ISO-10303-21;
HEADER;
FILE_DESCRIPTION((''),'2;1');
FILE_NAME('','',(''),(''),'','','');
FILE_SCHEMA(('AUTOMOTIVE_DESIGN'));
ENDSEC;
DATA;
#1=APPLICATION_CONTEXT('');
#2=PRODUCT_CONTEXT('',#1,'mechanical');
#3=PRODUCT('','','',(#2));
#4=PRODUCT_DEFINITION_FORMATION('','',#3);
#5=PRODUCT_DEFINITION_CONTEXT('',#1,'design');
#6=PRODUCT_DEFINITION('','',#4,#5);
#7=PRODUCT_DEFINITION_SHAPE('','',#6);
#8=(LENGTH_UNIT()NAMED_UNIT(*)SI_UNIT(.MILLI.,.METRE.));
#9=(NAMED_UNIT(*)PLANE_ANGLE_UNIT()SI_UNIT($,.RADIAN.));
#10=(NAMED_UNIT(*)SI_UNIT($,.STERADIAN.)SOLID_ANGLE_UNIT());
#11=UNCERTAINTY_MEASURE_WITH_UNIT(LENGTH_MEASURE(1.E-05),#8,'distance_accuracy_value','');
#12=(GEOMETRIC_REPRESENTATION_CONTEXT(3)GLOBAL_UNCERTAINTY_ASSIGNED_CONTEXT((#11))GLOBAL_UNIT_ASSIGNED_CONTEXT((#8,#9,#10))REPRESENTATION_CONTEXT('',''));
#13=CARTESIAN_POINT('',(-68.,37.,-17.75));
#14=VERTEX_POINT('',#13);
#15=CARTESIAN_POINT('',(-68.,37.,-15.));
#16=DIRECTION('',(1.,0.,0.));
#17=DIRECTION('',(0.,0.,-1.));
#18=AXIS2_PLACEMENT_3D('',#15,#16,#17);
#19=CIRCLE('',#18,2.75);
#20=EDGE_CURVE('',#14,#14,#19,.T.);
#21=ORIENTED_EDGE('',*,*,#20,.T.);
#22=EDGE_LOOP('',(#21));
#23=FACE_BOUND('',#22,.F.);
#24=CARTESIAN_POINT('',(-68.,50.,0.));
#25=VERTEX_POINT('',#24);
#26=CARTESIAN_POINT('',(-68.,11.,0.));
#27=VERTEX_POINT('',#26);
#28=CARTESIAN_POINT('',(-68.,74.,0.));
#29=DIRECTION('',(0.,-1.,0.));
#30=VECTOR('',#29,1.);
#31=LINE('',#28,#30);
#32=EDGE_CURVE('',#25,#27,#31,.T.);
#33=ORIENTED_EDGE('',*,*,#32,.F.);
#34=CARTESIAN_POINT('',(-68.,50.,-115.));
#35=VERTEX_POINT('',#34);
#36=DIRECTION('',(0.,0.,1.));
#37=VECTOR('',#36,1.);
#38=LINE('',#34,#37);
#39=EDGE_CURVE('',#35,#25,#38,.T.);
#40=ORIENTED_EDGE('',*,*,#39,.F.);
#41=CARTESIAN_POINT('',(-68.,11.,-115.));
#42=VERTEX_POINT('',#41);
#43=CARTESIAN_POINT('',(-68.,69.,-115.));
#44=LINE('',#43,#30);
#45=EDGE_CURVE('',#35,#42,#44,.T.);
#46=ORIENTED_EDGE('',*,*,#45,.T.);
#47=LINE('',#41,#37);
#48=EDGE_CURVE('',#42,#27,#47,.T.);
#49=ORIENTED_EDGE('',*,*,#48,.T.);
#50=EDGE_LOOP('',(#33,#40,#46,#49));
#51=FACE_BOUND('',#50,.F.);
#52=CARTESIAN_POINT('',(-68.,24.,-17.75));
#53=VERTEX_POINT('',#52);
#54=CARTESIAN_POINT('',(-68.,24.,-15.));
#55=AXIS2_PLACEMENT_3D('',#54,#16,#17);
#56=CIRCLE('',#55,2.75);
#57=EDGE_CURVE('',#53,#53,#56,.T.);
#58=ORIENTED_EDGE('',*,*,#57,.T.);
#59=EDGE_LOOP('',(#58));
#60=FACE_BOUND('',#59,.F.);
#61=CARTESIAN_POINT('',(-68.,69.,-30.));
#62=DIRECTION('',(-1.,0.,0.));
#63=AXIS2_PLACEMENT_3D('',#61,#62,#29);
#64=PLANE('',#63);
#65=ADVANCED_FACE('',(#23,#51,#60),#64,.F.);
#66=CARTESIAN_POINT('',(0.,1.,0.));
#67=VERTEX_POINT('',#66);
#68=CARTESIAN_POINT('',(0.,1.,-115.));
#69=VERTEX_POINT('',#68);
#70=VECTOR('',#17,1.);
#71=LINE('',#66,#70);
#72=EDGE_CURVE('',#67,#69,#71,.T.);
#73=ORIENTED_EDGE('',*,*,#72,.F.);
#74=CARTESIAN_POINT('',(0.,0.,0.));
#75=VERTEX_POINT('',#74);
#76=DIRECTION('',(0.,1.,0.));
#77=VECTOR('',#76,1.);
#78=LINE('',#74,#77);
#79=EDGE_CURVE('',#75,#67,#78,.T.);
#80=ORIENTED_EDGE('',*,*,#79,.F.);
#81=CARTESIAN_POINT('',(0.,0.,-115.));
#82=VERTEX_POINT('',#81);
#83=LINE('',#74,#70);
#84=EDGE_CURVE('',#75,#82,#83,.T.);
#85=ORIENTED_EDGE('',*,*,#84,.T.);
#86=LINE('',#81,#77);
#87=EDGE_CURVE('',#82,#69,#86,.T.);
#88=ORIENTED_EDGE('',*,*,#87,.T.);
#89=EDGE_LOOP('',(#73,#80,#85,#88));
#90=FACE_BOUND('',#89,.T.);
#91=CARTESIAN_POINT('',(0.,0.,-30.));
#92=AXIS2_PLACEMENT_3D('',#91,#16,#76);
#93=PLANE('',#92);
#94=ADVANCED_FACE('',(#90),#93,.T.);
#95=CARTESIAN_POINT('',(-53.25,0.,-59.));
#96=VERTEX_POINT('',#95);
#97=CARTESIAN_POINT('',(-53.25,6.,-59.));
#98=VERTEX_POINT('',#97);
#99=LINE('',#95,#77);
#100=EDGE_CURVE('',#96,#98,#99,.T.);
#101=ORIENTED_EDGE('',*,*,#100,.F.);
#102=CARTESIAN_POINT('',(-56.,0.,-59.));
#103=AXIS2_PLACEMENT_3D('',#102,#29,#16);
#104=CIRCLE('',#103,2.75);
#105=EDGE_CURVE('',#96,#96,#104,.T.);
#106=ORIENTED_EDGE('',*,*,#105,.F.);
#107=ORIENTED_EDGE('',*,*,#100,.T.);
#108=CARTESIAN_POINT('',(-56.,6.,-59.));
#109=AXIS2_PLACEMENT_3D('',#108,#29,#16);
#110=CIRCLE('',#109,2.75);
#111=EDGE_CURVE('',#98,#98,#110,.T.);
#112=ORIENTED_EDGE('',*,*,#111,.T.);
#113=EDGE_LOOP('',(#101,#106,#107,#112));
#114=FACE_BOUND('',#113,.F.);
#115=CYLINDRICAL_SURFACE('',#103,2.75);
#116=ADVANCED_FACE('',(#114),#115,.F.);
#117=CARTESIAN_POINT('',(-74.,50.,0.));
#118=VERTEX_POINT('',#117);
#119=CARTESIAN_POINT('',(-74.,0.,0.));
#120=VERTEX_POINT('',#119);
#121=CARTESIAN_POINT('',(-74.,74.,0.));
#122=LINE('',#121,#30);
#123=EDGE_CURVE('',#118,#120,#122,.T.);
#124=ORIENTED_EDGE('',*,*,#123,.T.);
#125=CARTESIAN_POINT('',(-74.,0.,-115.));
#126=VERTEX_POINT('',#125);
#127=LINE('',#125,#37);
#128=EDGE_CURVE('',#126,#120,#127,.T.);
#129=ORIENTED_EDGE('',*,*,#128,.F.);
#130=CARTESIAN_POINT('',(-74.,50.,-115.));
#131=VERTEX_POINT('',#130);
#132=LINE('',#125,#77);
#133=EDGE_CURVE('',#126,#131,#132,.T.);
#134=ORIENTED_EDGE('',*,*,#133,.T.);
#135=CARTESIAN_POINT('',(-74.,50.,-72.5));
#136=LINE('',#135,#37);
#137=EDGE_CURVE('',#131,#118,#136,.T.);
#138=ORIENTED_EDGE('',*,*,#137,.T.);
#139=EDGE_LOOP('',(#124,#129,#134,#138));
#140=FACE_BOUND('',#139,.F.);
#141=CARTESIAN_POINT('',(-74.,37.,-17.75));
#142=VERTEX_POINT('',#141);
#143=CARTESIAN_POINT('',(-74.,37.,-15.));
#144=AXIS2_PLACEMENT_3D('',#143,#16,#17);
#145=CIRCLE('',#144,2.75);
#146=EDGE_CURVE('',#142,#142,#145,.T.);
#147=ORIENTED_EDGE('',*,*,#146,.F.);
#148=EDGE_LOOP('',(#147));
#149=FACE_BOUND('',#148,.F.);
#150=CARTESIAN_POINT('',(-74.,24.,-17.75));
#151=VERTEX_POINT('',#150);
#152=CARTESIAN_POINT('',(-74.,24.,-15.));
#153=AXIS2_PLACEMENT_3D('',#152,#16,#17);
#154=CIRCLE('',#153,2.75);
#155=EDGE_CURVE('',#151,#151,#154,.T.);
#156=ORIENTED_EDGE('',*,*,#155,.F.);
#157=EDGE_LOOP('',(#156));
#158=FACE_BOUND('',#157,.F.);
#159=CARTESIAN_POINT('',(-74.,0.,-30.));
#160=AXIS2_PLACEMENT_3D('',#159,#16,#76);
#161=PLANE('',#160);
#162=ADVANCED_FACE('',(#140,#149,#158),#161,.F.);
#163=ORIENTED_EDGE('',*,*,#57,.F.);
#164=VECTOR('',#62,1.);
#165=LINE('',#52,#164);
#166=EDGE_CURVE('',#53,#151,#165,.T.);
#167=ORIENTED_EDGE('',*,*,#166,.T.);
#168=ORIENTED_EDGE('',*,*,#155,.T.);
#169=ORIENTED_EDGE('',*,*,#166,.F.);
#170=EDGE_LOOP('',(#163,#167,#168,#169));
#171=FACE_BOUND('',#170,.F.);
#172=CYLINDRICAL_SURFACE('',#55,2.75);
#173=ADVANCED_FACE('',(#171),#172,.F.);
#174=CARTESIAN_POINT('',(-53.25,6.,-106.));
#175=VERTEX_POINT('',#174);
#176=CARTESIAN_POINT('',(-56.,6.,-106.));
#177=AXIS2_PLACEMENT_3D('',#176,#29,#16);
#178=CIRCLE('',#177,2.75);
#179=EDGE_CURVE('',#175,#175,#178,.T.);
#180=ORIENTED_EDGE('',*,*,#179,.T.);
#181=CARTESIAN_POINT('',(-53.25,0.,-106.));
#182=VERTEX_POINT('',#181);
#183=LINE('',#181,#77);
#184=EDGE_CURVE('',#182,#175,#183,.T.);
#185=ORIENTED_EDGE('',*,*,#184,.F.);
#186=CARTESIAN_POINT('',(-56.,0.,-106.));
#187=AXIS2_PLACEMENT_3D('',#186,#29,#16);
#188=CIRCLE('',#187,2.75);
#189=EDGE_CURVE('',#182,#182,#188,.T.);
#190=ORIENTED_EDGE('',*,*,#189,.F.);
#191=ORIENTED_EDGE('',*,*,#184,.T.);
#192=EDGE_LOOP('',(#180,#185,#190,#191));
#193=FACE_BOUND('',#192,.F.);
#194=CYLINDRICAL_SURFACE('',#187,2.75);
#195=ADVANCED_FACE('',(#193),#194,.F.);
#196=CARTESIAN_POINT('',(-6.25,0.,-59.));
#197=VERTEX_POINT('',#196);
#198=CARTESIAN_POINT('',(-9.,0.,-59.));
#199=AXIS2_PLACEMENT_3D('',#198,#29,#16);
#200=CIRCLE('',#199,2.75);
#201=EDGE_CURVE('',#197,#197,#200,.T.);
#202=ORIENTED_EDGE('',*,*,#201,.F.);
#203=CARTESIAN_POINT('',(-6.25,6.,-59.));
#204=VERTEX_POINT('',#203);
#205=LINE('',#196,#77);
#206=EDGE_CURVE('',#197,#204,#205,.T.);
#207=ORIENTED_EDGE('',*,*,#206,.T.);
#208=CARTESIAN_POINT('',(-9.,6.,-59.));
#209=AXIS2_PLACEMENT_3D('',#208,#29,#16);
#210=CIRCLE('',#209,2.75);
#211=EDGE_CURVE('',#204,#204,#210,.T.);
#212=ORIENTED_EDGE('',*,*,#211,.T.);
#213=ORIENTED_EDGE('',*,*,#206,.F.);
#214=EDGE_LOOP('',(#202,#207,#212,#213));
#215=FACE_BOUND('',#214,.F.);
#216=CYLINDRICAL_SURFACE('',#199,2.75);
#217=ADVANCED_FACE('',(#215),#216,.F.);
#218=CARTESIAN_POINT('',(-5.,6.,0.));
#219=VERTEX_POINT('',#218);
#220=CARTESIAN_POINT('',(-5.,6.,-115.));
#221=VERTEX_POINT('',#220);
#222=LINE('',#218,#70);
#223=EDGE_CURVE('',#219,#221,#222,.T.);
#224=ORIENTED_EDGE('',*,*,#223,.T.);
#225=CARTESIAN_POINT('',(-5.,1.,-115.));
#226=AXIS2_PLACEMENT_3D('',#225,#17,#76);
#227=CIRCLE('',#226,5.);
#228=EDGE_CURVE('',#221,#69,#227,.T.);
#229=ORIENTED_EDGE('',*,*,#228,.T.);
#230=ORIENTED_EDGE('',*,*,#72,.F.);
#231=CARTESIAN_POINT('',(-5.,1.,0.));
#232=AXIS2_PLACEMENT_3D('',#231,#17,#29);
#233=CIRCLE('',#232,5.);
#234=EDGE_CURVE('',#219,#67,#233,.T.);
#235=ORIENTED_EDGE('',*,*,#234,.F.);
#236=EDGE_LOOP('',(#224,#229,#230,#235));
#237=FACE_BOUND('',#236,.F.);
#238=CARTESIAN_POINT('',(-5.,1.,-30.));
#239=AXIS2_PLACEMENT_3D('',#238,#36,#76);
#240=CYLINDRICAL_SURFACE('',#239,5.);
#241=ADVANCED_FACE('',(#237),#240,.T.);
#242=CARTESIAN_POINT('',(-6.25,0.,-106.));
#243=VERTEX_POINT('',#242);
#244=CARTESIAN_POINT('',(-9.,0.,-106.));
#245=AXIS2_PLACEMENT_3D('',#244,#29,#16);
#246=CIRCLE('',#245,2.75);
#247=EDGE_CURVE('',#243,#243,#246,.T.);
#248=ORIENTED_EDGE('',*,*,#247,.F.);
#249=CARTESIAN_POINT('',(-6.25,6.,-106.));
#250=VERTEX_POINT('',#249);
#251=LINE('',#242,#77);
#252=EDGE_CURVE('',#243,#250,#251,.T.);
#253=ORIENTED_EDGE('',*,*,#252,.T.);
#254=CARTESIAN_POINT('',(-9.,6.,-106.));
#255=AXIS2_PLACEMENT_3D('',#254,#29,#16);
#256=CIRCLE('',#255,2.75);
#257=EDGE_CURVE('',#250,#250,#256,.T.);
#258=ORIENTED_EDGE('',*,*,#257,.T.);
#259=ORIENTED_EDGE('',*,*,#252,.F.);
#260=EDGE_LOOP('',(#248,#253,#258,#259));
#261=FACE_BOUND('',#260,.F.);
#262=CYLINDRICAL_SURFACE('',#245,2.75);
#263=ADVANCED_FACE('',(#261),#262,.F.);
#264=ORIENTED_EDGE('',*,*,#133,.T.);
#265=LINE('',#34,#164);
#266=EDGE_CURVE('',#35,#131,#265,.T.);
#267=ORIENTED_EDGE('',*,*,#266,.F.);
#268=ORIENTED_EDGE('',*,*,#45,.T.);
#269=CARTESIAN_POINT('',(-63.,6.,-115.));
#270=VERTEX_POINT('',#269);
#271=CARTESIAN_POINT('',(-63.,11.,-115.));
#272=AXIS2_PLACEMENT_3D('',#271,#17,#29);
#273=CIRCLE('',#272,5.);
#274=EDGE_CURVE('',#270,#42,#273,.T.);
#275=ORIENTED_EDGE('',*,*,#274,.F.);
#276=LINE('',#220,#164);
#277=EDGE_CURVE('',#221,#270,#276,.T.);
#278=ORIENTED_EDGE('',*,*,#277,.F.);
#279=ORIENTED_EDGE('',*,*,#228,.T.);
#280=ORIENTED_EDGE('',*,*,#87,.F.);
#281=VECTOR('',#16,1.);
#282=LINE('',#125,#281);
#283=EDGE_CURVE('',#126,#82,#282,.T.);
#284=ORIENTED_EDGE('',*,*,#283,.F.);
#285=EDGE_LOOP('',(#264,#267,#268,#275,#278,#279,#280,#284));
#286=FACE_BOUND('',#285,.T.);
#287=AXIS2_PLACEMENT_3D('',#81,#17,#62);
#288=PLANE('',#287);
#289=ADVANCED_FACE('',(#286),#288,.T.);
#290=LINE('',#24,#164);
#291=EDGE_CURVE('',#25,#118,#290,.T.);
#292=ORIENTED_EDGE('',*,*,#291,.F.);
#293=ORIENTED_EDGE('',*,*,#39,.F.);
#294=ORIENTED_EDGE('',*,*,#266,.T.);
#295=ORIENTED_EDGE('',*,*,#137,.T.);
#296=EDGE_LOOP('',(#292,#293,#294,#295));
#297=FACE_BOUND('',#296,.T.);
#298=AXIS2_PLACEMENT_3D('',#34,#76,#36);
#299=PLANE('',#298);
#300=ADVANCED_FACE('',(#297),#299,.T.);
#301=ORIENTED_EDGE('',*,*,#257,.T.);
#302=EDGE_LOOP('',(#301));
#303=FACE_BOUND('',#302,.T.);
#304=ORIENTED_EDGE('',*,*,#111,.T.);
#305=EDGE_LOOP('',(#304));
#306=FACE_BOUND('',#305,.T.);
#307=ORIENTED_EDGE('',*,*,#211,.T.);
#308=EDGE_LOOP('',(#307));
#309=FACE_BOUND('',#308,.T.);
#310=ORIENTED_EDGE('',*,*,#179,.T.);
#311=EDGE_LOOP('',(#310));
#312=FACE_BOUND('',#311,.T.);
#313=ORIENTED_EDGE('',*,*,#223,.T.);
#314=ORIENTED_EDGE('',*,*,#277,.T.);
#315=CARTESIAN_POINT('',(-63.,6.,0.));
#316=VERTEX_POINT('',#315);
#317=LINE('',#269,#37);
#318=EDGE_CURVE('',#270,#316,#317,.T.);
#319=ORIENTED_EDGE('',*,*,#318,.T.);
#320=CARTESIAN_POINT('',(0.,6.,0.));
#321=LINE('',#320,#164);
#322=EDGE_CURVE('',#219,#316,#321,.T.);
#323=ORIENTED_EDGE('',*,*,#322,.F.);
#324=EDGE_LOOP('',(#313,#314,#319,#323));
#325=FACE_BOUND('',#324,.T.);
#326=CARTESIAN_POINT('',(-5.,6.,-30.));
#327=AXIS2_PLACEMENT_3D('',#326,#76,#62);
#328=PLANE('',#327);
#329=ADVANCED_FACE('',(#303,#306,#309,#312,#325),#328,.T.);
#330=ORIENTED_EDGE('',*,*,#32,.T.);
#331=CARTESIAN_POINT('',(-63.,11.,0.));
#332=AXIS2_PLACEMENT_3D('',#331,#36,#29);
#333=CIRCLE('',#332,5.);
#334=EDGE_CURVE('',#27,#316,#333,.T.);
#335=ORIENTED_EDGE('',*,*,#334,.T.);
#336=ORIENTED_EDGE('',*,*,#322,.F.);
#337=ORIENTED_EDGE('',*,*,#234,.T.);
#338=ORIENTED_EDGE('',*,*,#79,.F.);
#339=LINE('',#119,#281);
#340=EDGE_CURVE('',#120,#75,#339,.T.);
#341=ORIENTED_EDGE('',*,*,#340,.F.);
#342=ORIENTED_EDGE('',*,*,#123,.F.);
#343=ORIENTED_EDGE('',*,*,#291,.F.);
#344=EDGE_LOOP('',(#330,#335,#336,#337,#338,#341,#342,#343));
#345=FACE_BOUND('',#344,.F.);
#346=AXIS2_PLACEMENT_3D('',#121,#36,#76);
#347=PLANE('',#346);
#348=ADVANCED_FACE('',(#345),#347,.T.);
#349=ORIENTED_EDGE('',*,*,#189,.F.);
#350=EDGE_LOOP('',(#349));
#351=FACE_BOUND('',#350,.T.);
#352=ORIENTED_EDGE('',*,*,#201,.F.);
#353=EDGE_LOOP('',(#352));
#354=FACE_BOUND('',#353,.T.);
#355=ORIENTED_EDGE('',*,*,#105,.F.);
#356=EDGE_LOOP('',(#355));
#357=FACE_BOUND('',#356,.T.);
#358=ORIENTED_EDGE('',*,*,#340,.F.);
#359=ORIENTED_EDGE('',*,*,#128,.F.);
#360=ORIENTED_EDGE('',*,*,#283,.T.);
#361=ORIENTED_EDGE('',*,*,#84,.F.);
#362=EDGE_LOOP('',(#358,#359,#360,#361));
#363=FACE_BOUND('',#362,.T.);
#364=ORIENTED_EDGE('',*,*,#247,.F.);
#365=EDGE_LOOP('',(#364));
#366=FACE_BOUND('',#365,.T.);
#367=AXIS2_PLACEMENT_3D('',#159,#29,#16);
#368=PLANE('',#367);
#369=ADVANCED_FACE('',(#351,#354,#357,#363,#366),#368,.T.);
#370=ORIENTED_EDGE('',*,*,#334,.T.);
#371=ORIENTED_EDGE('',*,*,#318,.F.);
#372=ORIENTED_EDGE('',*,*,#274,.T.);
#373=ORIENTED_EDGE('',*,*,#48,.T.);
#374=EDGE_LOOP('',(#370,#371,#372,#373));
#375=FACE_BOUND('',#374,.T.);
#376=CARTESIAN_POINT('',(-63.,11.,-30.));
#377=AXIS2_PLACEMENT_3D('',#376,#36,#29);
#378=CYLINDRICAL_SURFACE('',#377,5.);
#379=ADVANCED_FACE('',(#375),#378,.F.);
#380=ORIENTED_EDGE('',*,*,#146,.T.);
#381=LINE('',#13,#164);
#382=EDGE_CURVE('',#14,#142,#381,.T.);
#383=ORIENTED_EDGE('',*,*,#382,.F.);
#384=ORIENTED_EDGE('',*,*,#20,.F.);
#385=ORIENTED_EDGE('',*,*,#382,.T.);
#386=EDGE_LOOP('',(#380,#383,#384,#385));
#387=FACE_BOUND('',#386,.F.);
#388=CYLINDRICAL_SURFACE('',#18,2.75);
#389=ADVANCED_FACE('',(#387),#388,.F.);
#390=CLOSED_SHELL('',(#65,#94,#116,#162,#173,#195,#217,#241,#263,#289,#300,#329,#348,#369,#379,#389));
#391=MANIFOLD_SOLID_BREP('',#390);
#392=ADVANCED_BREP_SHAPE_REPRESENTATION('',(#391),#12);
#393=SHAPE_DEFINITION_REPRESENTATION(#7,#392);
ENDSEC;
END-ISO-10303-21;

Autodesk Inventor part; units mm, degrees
ref_plane "YZ Plane" through (0, 0, 0) normal (1, 0, 0) x (0, 1, 0)
ref_plane "XZ Plane" through (0, 0, 0) normal (0, 1, 0) x (-1, 0, 0)
sketch "Sketch1" plane through (0, 0, 0) normal (0, 1, 0) x (-1, 0, 0)
  line L0 (0, 0) -> (74, 0)
  line L1 (74, 0) -> (74, -30)
  line L2 (74, -30) -> (0, -30)
  line L3 (0, -30) -> (0, 0)
  dimension "d0" = 74
  dimension "d1" = 30
extrude "Extrusion1" add sketch "Sketch1" along normal blind 6
fillet "Fillet1" radius 5 1 edges at (-74, 0, -15)
fillet "Fillet2" radius 5 1 edges at (0, 6, -15)
ref_plane "Work Plane1" through (-74, 0, 0) normal (0.7071, -0.7071, 0) x (0, 0, 1)
mirror "Mirror1" about plane through (-74, 0, 0) normal (0.7071, -0.7071, 0) of "Extrusion1", "Fillet2"
fillet "Fillet3" radius 5 1 edges at (-68, 6, -15)
sketch "Sketch5" plane through (0, 0, -30) normal (0, 0, -1) x (-1, 0, 0)
  line L0 (5, 6) -> (63, 6) projected
  arc A0 (5, 6) -> (0, 1) centre (5, 1) ccw projected
  line L1 (0, 0) -> (0, 1) projected
  line L2 (74, 0) -> (0, 0) projected
  line L3 (74, 0) -> (74, 74) projected
  line L4 (74, 74) -> (73, 74) projected
  arc A1 (73, 74) -> (68, 69) centre (73, 69) ccw projected
  line L5 (68, 69) -> (68, 11) projected
  arc A2 (63, 6) -> (68, 11) centre (63, 11) ccw projected
  point P0 (0, 0)
extrude "Extrusion6" add sketch "Sketch5" along normal blind 85
sketch "Sketch7" plane through (-68, 11, 0) normal (1, 0, 0) x (0, 0, -1)
  line L0 (115, 58) -> (115, 0) projected
  line L1 (115, 58) -> (115, 63) projected
  line L2 (115, -11) -> (115, 63) projected
  line L3 (0, 63) -> (115, 63) projected
  line L4 (0, 63) -> (115, 63)
  line L5 (115, 63) -> (115, 39)
  line L6 (115, 39) -> (0, 39)
  line L7 (0, 39) -> (0, 63)
  point P0 (0, -11)
  dimension "d49" = 74
  dimension "d50" = 24
extrude "Extrusion7" cut sketch "Sketch7" against normal blind 10
sketch "Sketch8" plane through (-68, 11, 0) normal (1, 0, 0) x (0, 0, -1)
  circle A0 centre (15, 13) radius 2.75
  line L0 (0, 0) -> (0, 39) projected
  line L1 (115, 0) -> (0, 0) projected
  circle A1 centre (15, 26) radius 2.75
  point P0 (0, -11)
  dimension "d53" = 5.5
  dimension "d54" = 15
  dimension "d55" = 39
  dimension "d56" = 13
  dimension "d57" = 5.5
  dimension "d58" = 15
  dimension "d59" = 26
extrude "Extrusion8" cut sketch "Sketch8" against normal blind 10
sketch "Sketch9" plane through (0, 0, 0) normal (0, -1, 0) x (1, 0, 0)
  line L0 (0, -115) -> (0, 0) projected
  line L1 (0, 0) -> (-74, 0) projected
  line L2 (-74, 0) -> (-74, -115) projected
  line L3 (0, -115) -> (-74, -115) projected
  circle A0 centre (-9, -106) radius 2.75
  circle A1 centre (-56, -106) radius 2.75
  circle A2 centre (-9, -59) radius 2.75
  circle A3 centre (-56, -59) radius 2.75
  dimension "d62" = 5.5
  dimension "d65" = 47
  dimension "d68" = 47
  dimension "d71" = 9
  dimension "d72" = 9
extrude "Extrusion9" cut sketch "Sketch9" against normal blind 10 contours A0 | A1 | A2 | A3
equation "\"d56\" = 0.333333 * d55"
equation "\"d58\" = d54"
equation "\"d59\" = 2 * d56"
equation "\"d72\" = d71"
properties part number "L_Fixer" material "Steel, Carbon"
